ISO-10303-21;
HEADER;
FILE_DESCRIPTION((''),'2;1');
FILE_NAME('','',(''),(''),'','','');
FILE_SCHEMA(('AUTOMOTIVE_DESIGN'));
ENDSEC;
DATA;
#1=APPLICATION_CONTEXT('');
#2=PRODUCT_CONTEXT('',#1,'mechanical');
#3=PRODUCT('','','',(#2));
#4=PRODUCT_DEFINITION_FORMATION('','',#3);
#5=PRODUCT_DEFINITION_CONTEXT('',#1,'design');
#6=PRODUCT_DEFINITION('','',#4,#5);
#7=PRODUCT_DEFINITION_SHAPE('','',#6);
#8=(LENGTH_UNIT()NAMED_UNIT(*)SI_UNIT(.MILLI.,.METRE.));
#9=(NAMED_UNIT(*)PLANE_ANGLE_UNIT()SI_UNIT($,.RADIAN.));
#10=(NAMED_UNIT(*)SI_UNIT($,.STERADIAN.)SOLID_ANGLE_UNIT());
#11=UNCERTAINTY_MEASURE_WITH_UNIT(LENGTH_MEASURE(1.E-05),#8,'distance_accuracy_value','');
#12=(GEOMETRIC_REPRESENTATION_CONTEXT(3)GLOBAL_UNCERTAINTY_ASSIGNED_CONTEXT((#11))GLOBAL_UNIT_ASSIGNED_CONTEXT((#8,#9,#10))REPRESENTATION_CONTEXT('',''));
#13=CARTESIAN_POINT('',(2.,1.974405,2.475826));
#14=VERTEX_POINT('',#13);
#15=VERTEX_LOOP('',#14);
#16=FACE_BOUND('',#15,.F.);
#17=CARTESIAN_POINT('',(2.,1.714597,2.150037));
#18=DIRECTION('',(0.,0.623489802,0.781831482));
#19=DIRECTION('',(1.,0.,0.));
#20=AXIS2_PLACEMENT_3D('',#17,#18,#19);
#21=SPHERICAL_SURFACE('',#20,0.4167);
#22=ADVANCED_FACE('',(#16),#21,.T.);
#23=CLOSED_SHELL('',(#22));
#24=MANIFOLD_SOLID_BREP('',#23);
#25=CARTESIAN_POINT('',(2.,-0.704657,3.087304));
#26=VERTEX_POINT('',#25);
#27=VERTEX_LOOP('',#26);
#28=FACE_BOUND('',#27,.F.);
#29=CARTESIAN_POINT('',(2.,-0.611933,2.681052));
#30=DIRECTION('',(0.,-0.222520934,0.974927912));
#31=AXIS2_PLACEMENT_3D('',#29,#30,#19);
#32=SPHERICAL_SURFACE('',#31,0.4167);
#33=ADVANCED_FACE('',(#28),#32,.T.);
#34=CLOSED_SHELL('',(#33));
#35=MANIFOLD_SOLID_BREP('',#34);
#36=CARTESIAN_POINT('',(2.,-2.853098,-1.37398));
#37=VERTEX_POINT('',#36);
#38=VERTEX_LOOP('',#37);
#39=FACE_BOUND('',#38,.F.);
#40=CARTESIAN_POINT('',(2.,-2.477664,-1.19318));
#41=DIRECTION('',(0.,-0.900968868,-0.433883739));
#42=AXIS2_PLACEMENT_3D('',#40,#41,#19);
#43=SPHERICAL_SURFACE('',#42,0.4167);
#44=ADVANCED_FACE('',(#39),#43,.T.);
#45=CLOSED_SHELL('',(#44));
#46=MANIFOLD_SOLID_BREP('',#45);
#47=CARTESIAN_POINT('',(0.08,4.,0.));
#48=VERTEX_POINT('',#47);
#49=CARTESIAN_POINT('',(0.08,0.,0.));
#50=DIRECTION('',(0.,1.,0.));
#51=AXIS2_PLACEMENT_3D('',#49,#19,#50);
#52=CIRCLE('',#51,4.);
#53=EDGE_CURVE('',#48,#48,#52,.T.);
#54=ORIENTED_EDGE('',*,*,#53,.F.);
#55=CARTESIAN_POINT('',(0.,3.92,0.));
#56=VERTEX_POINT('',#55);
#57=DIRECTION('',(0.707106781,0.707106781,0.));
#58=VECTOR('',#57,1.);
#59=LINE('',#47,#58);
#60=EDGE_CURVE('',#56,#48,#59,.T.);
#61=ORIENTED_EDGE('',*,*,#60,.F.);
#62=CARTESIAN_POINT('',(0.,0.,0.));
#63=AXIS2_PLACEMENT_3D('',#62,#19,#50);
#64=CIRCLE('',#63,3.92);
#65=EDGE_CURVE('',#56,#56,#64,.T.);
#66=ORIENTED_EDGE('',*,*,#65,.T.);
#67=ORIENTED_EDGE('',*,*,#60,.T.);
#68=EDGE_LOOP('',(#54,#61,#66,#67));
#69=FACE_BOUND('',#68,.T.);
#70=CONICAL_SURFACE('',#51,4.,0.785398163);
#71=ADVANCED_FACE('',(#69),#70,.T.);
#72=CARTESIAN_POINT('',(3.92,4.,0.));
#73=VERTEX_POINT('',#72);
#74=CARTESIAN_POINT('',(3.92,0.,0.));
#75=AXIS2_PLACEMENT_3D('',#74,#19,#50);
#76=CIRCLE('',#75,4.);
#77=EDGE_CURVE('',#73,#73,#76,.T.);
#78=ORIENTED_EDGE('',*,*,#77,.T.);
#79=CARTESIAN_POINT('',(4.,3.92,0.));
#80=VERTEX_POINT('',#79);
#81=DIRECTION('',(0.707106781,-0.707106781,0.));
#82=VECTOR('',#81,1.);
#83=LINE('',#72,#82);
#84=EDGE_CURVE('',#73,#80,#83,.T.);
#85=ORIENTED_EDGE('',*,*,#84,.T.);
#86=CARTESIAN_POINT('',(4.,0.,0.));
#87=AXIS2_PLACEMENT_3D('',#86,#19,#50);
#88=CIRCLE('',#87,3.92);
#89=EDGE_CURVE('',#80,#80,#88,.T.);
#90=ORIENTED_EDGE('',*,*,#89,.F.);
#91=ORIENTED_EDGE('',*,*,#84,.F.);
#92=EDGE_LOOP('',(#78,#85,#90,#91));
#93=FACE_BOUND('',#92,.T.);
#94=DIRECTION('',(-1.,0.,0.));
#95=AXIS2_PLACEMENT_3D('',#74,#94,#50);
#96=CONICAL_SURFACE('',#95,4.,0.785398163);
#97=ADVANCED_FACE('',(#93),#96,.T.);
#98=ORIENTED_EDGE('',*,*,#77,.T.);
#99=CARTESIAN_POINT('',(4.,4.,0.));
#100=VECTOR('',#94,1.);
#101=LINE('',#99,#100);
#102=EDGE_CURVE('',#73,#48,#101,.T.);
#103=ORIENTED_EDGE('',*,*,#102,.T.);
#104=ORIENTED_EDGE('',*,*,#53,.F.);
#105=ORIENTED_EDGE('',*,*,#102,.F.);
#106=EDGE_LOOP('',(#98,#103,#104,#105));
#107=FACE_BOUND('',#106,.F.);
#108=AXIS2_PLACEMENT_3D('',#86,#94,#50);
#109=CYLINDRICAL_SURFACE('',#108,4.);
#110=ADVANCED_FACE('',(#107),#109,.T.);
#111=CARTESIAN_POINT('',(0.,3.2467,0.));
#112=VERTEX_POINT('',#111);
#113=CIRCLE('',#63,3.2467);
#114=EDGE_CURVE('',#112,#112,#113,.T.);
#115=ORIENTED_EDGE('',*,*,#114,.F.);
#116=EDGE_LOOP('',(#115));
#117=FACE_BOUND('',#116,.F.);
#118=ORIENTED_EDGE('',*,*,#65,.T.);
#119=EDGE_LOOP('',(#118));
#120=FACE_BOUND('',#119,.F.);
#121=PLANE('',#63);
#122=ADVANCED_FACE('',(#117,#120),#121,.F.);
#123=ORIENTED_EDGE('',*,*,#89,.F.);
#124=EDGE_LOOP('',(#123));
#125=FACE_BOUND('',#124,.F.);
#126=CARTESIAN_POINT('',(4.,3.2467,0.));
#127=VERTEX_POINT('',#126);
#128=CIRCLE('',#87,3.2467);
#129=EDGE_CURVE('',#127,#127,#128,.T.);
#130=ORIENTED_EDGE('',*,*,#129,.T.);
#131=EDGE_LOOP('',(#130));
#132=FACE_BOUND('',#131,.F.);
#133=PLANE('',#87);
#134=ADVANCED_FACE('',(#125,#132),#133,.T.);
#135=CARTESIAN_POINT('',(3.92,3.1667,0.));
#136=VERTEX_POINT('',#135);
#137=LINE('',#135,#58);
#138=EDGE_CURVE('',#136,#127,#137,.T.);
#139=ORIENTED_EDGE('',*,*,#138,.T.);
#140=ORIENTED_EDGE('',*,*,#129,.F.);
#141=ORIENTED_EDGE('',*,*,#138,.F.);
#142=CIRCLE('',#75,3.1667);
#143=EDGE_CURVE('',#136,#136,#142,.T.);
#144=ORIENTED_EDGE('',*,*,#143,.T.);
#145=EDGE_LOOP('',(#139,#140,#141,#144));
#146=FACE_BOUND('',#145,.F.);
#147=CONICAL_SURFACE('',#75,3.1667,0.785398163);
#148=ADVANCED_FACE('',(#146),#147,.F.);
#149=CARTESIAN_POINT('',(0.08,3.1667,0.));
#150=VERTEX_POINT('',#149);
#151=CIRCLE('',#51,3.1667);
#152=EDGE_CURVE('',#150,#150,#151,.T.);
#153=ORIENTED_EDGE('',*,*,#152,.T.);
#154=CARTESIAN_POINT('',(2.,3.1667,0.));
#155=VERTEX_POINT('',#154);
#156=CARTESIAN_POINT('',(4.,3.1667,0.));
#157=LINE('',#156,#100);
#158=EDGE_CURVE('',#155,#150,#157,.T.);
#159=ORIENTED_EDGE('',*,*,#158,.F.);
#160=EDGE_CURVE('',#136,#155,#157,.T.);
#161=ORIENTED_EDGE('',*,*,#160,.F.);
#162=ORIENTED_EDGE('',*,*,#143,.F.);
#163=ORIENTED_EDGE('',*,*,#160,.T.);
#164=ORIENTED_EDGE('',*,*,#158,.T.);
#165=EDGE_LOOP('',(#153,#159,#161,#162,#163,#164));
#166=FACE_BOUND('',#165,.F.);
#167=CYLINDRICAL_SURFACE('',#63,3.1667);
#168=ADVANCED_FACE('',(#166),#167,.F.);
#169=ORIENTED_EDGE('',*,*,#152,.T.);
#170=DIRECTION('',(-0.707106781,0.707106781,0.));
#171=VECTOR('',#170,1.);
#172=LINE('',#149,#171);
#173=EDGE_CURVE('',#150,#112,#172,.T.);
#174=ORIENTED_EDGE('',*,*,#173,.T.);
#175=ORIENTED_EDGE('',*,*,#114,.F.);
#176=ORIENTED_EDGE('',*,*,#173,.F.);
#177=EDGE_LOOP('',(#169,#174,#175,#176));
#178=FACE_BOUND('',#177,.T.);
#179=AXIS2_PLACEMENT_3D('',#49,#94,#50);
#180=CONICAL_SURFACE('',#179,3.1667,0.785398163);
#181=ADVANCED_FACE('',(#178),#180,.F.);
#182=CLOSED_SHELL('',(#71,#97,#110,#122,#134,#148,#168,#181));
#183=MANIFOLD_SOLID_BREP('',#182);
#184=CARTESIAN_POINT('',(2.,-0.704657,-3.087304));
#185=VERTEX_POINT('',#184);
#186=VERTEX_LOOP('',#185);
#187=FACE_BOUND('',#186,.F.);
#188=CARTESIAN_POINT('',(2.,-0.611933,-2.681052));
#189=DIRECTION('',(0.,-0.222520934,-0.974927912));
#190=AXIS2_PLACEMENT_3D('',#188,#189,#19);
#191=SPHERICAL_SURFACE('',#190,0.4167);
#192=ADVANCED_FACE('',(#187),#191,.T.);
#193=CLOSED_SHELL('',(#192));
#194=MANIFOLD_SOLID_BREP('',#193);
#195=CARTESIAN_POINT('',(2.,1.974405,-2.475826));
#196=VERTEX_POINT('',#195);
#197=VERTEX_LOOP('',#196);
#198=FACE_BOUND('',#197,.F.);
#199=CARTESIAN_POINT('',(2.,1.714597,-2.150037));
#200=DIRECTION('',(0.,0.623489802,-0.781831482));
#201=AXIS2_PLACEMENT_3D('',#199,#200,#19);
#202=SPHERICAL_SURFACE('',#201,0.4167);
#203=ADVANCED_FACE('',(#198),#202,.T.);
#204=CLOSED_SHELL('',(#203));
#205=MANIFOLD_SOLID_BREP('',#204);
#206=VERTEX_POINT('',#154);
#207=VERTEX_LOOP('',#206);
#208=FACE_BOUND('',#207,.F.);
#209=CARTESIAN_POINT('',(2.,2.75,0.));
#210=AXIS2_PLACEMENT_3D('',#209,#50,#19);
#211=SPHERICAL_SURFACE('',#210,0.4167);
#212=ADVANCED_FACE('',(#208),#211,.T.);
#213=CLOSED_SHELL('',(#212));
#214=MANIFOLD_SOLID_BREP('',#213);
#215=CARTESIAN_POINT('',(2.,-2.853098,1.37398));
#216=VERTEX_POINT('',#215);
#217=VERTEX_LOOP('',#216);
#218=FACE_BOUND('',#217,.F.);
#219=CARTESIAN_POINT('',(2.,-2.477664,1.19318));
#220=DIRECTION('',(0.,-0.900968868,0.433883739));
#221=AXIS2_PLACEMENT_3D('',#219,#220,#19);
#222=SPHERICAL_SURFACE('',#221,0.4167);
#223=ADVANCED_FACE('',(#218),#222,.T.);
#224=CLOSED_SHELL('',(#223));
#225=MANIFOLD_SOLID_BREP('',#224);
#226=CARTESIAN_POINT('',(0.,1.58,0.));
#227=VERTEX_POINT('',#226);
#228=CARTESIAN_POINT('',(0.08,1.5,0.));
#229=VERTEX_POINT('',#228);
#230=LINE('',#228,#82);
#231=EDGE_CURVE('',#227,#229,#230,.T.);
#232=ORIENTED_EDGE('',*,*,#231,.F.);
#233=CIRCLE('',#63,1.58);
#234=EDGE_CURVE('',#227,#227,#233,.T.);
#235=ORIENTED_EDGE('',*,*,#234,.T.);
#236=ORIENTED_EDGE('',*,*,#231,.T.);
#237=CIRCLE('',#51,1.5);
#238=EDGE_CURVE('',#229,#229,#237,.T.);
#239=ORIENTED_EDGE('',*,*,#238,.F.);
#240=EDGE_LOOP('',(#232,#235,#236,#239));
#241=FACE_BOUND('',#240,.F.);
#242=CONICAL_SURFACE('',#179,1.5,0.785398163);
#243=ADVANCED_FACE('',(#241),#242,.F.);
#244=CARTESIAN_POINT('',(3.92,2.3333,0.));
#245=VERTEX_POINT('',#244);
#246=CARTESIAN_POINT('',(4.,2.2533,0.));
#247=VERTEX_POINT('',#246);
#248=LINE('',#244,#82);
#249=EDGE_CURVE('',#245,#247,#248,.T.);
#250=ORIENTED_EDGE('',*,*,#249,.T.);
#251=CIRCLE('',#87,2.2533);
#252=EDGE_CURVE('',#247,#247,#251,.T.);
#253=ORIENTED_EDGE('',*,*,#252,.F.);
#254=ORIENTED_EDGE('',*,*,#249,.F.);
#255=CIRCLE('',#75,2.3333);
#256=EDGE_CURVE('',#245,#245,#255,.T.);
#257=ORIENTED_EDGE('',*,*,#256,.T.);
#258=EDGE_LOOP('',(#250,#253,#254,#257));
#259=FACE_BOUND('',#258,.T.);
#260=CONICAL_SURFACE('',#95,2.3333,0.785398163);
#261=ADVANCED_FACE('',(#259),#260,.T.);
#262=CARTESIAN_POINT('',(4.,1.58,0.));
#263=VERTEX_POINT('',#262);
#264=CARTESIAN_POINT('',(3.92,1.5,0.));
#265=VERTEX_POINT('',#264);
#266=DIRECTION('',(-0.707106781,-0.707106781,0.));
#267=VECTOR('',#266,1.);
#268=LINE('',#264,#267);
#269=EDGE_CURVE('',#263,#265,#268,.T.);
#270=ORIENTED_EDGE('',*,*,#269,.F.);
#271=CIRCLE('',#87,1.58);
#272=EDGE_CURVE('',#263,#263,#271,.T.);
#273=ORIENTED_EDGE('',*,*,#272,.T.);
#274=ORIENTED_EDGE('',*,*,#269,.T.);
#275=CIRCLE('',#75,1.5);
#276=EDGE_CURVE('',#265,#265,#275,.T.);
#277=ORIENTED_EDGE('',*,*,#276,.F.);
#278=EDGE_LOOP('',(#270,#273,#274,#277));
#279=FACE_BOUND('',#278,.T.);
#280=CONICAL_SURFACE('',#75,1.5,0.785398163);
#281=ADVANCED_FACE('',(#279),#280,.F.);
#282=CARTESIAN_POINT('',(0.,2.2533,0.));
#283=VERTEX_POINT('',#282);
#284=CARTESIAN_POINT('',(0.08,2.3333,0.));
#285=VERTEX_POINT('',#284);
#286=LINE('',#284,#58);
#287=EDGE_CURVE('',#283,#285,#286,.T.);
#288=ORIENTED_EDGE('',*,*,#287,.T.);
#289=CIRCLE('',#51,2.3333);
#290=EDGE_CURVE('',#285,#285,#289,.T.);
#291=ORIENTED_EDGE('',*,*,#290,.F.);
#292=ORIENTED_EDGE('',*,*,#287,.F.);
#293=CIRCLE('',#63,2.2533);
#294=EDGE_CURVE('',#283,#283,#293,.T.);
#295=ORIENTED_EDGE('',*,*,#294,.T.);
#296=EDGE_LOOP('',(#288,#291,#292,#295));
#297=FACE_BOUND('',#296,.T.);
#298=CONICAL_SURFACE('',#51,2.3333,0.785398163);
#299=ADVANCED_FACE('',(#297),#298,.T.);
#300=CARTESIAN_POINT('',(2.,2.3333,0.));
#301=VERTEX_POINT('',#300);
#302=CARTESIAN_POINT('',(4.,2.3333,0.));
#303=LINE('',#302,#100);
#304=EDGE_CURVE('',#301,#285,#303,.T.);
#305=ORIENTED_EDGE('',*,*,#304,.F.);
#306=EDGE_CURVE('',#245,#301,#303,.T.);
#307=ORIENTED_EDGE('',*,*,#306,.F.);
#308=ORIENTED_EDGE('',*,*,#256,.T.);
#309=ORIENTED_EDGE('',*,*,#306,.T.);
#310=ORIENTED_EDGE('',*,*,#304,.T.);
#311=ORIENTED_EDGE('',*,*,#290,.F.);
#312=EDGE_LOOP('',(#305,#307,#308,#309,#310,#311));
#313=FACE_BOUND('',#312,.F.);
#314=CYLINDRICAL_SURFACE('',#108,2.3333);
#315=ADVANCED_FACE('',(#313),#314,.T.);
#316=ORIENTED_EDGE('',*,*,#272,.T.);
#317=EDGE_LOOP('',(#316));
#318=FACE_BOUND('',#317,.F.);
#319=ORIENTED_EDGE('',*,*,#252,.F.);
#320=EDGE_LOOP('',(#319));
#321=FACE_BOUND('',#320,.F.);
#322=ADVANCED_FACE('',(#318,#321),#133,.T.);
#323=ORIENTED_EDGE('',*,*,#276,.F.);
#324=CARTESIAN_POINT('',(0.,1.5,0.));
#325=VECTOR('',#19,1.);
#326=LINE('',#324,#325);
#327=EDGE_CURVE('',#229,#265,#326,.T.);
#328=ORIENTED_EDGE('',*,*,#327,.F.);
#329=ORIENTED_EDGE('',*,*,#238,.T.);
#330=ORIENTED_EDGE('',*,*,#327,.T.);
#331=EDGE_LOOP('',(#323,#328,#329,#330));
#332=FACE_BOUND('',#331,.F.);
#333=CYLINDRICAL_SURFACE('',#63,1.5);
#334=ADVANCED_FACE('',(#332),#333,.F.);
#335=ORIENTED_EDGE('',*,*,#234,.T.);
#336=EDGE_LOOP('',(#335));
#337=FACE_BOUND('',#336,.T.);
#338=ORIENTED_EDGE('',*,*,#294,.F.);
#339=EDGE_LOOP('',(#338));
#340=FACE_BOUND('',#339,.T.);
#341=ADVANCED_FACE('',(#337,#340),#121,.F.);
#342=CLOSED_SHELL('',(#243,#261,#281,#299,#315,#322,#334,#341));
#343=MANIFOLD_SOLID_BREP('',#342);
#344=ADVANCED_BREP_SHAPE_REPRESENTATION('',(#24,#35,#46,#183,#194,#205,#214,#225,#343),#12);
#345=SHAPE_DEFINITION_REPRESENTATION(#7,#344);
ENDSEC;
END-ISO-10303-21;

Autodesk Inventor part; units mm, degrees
ref_plane "YZ Plane" through (0, 0, 0) normal (1, 0, 0) x (0, 1, 0)
ref_plane "XZ Plane" through (0, 0, 0) normal (0, 1, 0) x (-1, 0, 0)
ref_plane "XY Plane" through (0, 0, 0) normal (0, 0, 1) x (1, 0, 0)
sketch "草图1" plane through (0, 0, 0) normal (0, 0, 1) x (1, 0, 0)
  line L0 (0, 0) -> (0, 2.515)
  line L1 (0, 0) -> (1.8186, 0)
  line L2 (0, 1.5) -> (4, 1.5)
  line L3 (4, 1.5) -> (4, 2.3333)
  line L4 (4, 2.3333) -> (0, 2.3333)
  line L5 (0, 2.3333) -> (0, 1.5)
  line L6 (0, 3.1667) -> (4, 3.1667)
  line L7 (4, 3.1667) -> (4, 4)
  line L8 (4, 4) -> (0, 4)
  line L9 (0, 4) -> (0, 3.1667)
  arc A0 (2, 2.3333) -> (2, 3.1667) centre (2, 2.75) ccw
  line L10 (2, 3.1667) -> (2, 2.3333)
  dimension "d19" = 4
  dimension "d20" = 3
  dimension "d21" = 8
  dimension "d22" = 0.8333
  dimension "d23" = 0.8333
revolve "Revolution 1" add sketch "草图1" angle 360 about axis through (0, 0, 0) along (1, 0, 0) contours L6 L9 L8 L7 | L0 L4 L3 L2
chamfer "Chamfer 1" distance 0.08 angle 45 8 edges at (4, -4, 0) (4, -3.1667, 0) (4, -2.3333, 0) (4, -1.5, 0) (0, -4, 0) (0, -3.1667, 0) (0, -2.3333, 0) (0, -1.5, 0)
revolve "Revolution 2" add sketch "草图1" angle 360 about axis through (2, 3.1667, 0) along (0, -1, 0) contours L10 A0
pattern_circular "Circular Pattern 1" count 7 over 360 about axis through (2, 0, 0) along (1, 0, 0) of "Revolution 2"
equation "\"d19\" = KB"
equation "\"d20\" = WD"
equation "\"d21\" = BD"
equation "\"d22\" = -0.166667 * WD + 0.166667 * BD"
equation "\"d23\" = d22"
equation "\"d12\" = KRS"
equation "\"WD\" = 3"
equation "\"BD\" = 8"
equation "\"KB\" = 4"
equation "\"KRS\" = 0.08"
equation "\"YM\" = KRS"
properties part number "Rolling bearing GB/T 5800-2003 -639/3" material "Steel, Mild"
